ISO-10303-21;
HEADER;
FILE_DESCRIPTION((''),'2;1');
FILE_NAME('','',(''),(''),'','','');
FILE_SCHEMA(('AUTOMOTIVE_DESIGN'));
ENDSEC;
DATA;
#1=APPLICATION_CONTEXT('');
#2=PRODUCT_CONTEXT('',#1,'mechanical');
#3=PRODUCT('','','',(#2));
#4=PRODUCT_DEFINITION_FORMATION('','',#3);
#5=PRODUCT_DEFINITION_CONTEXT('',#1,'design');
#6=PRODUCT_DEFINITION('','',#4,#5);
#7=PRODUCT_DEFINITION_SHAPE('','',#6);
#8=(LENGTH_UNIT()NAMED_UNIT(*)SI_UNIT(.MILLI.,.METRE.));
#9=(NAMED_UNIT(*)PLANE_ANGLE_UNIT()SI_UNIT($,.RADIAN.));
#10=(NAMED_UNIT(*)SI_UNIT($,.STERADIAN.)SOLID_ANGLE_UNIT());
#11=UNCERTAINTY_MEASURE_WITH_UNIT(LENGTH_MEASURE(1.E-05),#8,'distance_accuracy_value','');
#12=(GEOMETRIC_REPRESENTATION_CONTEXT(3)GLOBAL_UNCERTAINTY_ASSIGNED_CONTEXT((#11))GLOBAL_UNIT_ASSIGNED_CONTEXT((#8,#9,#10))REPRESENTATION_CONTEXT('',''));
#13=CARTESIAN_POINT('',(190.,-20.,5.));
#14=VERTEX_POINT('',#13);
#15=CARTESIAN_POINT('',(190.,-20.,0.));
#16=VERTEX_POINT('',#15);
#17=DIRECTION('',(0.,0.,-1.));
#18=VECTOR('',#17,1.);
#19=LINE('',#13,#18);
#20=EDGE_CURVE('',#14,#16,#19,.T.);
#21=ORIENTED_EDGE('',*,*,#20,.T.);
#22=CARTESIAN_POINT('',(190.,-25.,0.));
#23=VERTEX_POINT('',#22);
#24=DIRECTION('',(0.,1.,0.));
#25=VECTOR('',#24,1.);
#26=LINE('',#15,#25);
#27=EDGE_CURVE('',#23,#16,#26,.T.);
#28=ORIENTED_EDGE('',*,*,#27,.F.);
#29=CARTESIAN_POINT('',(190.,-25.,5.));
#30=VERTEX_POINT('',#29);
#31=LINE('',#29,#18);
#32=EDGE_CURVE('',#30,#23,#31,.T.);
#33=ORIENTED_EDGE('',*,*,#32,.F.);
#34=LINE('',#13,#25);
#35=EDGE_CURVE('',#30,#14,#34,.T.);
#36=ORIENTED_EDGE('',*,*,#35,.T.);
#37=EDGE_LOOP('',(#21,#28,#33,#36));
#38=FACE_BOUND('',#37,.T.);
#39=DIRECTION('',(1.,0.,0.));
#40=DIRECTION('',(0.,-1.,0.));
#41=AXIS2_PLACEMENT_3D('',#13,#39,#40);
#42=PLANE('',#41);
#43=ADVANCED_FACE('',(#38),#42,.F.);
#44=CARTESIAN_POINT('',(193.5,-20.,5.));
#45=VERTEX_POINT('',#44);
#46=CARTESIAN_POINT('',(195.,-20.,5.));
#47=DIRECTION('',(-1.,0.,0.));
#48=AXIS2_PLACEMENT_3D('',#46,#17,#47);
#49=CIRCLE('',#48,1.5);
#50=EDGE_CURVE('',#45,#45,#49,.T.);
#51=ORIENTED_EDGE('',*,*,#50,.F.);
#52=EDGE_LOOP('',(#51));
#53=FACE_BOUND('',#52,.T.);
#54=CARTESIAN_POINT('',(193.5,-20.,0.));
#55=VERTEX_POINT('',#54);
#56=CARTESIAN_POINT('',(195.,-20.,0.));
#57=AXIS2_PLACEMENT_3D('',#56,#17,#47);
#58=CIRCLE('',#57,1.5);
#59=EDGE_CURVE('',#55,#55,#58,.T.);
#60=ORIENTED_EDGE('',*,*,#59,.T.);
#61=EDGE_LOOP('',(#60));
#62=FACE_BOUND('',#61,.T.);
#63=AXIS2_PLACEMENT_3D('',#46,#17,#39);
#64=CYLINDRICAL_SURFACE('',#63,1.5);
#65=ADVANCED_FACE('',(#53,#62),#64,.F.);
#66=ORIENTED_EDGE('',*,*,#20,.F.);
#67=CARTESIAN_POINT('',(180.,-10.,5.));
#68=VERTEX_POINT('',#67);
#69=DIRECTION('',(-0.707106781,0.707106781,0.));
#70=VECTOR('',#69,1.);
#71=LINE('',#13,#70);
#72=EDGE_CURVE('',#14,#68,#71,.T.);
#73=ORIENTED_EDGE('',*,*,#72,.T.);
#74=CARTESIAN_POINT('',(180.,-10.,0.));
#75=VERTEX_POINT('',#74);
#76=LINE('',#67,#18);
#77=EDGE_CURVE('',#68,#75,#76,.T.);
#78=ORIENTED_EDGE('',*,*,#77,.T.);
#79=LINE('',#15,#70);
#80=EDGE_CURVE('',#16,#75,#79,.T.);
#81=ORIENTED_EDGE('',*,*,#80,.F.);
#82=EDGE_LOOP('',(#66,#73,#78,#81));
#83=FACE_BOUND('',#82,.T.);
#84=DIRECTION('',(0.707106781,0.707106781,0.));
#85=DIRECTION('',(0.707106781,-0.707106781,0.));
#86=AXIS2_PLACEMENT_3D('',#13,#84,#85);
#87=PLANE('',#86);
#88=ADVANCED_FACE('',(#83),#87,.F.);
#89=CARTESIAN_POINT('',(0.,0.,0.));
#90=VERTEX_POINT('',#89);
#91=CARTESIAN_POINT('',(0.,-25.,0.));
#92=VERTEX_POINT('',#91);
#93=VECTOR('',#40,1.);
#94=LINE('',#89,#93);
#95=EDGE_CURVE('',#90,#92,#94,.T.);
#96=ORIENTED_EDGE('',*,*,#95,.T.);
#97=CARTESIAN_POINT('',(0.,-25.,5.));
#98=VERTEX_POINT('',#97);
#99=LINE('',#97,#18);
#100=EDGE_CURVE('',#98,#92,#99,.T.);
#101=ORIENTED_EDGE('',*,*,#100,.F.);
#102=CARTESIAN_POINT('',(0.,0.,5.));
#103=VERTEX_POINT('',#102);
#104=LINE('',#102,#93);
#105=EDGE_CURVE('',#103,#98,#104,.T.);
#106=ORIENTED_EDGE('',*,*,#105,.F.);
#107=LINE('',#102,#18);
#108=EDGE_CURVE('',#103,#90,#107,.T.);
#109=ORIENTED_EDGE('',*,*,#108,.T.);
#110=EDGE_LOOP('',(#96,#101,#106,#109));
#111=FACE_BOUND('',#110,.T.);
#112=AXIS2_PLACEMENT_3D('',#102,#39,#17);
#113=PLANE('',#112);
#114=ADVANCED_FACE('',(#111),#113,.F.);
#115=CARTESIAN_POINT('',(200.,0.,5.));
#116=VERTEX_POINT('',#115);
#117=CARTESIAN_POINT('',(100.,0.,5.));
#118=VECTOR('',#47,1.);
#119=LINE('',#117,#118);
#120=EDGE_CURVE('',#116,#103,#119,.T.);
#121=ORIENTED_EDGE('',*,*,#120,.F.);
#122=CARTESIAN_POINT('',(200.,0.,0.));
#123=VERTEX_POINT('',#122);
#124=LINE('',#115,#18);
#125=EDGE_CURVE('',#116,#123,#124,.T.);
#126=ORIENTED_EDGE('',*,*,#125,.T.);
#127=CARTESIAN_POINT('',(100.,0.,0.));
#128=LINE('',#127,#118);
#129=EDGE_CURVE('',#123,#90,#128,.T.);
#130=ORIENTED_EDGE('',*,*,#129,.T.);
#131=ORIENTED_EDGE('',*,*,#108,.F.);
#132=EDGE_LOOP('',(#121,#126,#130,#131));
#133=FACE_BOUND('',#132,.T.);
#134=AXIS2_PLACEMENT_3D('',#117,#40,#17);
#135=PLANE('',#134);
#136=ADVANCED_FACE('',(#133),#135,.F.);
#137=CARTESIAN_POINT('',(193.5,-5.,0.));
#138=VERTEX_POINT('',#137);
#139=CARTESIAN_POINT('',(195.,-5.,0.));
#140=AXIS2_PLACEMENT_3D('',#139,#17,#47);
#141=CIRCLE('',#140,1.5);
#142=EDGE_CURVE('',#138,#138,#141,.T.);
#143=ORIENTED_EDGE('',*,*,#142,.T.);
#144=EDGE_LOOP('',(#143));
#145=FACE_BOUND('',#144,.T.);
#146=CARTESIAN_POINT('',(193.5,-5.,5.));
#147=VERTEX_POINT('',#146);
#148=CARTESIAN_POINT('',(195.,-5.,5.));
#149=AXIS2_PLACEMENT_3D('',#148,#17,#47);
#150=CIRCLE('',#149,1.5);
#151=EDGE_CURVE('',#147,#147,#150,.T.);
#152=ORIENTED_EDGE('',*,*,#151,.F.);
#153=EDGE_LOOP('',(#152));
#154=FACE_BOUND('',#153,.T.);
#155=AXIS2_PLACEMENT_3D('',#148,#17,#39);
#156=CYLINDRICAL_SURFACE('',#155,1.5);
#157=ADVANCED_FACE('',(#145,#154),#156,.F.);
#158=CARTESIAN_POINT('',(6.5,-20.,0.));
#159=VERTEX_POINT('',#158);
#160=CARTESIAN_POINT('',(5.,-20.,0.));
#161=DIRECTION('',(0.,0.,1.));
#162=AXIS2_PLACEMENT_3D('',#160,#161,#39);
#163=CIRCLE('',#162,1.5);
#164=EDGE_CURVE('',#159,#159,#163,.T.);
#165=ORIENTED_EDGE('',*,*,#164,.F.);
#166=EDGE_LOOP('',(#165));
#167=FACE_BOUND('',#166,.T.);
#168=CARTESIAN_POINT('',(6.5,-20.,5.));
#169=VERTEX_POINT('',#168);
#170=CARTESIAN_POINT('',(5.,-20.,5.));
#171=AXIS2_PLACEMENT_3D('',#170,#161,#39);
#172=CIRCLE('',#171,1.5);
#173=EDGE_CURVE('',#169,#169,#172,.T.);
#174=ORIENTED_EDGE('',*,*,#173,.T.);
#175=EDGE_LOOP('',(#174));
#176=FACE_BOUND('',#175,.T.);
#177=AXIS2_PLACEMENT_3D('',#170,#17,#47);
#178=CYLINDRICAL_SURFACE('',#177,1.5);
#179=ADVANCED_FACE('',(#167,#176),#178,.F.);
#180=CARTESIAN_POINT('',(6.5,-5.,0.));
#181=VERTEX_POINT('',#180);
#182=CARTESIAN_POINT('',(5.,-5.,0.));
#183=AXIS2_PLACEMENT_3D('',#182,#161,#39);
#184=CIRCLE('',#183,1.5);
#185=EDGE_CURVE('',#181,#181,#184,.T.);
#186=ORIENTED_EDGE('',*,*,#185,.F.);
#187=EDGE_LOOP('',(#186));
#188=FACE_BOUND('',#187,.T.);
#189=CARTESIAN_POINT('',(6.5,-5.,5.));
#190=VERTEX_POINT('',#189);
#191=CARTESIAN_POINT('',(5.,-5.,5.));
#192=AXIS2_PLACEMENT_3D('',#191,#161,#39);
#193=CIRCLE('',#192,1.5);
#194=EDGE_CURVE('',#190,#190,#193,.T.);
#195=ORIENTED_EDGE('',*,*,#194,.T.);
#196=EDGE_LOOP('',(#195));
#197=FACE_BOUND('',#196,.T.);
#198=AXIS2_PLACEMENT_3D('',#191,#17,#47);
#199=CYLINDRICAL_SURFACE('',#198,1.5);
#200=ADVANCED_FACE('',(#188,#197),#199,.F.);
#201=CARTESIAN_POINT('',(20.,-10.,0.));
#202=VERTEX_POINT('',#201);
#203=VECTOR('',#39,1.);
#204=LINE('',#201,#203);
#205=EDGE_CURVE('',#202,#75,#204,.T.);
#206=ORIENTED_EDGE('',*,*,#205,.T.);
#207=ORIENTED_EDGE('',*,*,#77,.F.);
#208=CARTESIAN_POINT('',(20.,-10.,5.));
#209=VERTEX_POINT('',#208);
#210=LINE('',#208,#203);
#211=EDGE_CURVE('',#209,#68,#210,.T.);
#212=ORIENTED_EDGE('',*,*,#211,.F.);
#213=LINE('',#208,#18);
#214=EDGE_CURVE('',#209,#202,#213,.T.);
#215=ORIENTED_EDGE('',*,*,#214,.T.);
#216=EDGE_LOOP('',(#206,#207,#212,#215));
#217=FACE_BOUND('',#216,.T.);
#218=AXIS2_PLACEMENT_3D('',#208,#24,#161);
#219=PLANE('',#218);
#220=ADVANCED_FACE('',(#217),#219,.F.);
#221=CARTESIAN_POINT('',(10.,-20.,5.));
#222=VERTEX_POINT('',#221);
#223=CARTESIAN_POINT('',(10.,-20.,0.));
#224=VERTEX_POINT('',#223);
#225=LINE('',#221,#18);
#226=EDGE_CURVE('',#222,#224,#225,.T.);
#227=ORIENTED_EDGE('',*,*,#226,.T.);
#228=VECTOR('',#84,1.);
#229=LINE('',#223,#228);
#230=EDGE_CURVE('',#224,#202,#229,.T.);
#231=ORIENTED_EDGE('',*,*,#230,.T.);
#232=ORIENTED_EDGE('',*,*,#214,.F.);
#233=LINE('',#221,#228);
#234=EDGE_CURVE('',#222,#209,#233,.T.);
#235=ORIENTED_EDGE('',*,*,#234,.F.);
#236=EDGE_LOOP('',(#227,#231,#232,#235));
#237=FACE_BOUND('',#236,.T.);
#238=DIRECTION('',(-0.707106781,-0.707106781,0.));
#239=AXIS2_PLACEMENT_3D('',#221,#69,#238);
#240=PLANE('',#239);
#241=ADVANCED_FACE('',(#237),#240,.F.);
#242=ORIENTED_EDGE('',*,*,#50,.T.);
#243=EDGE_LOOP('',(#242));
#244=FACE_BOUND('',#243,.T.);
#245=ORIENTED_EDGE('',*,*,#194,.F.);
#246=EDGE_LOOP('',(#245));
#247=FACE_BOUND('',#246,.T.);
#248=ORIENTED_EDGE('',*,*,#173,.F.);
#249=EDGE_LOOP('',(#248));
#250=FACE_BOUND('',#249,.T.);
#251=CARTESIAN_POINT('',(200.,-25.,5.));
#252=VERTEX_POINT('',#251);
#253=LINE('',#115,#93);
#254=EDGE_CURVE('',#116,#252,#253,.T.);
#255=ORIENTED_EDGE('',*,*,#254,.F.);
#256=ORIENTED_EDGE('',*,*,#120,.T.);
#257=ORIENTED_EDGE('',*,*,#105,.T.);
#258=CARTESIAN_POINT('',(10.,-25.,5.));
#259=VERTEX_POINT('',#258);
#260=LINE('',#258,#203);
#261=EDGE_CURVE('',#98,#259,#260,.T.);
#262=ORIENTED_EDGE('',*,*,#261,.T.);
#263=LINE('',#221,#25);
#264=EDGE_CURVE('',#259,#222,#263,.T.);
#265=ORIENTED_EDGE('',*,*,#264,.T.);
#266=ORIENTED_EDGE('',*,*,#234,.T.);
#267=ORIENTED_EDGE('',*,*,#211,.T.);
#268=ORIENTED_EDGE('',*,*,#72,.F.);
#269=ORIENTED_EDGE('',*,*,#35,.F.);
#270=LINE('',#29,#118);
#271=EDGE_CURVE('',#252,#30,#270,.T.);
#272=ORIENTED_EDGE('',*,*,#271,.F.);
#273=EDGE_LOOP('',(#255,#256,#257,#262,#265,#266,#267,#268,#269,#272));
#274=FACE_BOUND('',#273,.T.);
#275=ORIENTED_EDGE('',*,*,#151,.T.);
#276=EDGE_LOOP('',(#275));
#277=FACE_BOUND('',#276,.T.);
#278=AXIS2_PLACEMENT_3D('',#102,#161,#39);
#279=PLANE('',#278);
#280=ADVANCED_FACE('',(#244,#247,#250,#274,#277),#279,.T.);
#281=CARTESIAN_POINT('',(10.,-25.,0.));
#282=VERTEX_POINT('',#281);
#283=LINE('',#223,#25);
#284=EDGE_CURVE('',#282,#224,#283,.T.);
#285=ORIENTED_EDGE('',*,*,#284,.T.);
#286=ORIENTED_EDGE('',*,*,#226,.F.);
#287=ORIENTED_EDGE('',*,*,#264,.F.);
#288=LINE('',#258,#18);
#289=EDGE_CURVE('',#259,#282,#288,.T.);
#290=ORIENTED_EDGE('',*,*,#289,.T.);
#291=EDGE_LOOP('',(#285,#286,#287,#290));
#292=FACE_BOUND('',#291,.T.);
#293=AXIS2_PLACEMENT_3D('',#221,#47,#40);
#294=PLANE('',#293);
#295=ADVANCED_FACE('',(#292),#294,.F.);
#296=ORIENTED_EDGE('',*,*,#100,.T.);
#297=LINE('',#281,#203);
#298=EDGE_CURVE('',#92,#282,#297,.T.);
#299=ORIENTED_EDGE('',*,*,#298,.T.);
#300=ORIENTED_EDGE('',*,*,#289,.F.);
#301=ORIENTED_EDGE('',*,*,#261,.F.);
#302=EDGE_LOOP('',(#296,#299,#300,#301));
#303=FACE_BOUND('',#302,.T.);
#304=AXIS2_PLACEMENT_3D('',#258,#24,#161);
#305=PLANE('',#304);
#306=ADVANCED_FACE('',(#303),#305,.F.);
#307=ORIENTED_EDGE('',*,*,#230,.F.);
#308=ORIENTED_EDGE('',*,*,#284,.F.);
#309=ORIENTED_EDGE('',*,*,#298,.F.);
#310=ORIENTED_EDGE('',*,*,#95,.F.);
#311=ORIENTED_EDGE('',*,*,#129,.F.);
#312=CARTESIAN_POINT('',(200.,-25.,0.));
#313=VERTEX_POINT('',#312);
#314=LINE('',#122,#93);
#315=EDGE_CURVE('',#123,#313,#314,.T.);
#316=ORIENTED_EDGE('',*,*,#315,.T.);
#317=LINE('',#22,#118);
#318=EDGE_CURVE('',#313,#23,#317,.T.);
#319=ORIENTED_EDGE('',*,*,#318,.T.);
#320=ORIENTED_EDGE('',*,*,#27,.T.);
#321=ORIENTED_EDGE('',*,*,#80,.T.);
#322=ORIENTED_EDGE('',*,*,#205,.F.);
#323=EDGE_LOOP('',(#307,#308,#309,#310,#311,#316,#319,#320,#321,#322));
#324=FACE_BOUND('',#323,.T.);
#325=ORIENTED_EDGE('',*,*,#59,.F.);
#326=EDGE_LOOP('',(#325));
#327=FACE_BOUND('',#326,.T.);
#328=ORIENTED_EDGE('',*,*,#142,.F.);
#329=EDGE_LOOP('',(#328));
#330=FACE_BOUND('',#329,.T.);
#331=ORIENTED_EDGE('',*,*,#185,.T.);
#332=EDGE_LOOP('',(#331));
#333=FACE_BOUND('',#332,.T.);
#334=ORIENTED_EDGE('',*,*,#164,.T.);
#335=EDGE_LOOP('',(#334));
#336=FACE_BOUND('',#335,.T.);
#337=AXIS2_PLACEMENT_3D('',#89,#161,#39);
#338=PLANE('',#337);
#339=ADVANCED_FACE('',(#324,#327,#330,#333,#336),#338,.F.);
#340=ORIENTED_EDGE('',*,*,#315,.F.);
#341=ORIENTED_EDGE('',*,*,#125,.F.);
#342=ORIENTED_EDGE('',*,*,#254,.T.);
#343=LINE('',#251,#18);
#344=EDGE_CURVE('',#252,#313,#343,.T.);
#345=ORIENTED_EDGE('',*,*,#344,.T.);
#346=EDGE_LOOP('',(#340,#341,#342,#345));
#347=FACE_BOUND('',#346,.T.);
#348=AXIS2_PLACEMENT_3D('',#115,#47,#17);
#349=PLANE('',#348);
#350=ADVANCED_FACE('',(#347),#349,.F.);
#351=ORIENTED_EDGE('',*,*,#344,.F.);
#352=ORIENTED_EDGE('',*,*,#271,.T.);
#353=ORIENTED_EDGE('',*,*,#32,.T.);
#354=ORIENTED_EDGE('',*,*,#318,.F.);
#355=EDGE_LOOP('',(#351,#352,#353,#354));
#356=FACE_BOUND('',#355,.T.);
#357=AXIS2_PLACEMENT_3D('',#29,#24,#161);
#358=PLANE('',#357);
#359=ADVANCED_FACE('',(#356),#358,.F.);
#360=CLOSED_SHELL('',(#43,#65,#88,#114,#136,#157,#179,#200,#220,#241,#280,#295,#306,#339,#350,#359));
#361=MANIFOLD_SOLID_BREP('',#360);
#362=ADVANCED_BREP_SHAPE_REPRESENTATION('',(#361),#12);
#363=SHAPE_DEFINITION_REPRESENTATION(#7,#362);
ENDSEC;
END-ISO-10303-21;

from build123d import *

# Parameters (mm, degrees)
SKETCH1_R           = 1.5
BOSS_EXTRUDE1_DEPTH = 5


with BuildPart() as part:
    # Sketch1 → Boss-Extrude1 (new body)
    with BuildSketch(Plane.XY):
        Polygon((0, 0), (0, -25), (10, -25), (10, -20), (20, -10), (100, -10), (100, 0), align=None)
        with Locations((5, -20)):
            Circle(SKETCH1_R, mode=Mode.SUBTRACT)
        with Locations((5, -5)):
            Circle(SKETCH1_R, mode=Mode.SUBTRACT)
    extrude(amount=BOSS_EXTRUDE1_DEPTH)

    # Mirror1: part across plane


with BuildPart() as part_1:
    add(part.part)
    add(part.part.mirror(Plane(origin=(100, -10, 5), x_dir=(0, 0, 1), z_dir=(-1, 0, 0))))


solid = part_1.part
